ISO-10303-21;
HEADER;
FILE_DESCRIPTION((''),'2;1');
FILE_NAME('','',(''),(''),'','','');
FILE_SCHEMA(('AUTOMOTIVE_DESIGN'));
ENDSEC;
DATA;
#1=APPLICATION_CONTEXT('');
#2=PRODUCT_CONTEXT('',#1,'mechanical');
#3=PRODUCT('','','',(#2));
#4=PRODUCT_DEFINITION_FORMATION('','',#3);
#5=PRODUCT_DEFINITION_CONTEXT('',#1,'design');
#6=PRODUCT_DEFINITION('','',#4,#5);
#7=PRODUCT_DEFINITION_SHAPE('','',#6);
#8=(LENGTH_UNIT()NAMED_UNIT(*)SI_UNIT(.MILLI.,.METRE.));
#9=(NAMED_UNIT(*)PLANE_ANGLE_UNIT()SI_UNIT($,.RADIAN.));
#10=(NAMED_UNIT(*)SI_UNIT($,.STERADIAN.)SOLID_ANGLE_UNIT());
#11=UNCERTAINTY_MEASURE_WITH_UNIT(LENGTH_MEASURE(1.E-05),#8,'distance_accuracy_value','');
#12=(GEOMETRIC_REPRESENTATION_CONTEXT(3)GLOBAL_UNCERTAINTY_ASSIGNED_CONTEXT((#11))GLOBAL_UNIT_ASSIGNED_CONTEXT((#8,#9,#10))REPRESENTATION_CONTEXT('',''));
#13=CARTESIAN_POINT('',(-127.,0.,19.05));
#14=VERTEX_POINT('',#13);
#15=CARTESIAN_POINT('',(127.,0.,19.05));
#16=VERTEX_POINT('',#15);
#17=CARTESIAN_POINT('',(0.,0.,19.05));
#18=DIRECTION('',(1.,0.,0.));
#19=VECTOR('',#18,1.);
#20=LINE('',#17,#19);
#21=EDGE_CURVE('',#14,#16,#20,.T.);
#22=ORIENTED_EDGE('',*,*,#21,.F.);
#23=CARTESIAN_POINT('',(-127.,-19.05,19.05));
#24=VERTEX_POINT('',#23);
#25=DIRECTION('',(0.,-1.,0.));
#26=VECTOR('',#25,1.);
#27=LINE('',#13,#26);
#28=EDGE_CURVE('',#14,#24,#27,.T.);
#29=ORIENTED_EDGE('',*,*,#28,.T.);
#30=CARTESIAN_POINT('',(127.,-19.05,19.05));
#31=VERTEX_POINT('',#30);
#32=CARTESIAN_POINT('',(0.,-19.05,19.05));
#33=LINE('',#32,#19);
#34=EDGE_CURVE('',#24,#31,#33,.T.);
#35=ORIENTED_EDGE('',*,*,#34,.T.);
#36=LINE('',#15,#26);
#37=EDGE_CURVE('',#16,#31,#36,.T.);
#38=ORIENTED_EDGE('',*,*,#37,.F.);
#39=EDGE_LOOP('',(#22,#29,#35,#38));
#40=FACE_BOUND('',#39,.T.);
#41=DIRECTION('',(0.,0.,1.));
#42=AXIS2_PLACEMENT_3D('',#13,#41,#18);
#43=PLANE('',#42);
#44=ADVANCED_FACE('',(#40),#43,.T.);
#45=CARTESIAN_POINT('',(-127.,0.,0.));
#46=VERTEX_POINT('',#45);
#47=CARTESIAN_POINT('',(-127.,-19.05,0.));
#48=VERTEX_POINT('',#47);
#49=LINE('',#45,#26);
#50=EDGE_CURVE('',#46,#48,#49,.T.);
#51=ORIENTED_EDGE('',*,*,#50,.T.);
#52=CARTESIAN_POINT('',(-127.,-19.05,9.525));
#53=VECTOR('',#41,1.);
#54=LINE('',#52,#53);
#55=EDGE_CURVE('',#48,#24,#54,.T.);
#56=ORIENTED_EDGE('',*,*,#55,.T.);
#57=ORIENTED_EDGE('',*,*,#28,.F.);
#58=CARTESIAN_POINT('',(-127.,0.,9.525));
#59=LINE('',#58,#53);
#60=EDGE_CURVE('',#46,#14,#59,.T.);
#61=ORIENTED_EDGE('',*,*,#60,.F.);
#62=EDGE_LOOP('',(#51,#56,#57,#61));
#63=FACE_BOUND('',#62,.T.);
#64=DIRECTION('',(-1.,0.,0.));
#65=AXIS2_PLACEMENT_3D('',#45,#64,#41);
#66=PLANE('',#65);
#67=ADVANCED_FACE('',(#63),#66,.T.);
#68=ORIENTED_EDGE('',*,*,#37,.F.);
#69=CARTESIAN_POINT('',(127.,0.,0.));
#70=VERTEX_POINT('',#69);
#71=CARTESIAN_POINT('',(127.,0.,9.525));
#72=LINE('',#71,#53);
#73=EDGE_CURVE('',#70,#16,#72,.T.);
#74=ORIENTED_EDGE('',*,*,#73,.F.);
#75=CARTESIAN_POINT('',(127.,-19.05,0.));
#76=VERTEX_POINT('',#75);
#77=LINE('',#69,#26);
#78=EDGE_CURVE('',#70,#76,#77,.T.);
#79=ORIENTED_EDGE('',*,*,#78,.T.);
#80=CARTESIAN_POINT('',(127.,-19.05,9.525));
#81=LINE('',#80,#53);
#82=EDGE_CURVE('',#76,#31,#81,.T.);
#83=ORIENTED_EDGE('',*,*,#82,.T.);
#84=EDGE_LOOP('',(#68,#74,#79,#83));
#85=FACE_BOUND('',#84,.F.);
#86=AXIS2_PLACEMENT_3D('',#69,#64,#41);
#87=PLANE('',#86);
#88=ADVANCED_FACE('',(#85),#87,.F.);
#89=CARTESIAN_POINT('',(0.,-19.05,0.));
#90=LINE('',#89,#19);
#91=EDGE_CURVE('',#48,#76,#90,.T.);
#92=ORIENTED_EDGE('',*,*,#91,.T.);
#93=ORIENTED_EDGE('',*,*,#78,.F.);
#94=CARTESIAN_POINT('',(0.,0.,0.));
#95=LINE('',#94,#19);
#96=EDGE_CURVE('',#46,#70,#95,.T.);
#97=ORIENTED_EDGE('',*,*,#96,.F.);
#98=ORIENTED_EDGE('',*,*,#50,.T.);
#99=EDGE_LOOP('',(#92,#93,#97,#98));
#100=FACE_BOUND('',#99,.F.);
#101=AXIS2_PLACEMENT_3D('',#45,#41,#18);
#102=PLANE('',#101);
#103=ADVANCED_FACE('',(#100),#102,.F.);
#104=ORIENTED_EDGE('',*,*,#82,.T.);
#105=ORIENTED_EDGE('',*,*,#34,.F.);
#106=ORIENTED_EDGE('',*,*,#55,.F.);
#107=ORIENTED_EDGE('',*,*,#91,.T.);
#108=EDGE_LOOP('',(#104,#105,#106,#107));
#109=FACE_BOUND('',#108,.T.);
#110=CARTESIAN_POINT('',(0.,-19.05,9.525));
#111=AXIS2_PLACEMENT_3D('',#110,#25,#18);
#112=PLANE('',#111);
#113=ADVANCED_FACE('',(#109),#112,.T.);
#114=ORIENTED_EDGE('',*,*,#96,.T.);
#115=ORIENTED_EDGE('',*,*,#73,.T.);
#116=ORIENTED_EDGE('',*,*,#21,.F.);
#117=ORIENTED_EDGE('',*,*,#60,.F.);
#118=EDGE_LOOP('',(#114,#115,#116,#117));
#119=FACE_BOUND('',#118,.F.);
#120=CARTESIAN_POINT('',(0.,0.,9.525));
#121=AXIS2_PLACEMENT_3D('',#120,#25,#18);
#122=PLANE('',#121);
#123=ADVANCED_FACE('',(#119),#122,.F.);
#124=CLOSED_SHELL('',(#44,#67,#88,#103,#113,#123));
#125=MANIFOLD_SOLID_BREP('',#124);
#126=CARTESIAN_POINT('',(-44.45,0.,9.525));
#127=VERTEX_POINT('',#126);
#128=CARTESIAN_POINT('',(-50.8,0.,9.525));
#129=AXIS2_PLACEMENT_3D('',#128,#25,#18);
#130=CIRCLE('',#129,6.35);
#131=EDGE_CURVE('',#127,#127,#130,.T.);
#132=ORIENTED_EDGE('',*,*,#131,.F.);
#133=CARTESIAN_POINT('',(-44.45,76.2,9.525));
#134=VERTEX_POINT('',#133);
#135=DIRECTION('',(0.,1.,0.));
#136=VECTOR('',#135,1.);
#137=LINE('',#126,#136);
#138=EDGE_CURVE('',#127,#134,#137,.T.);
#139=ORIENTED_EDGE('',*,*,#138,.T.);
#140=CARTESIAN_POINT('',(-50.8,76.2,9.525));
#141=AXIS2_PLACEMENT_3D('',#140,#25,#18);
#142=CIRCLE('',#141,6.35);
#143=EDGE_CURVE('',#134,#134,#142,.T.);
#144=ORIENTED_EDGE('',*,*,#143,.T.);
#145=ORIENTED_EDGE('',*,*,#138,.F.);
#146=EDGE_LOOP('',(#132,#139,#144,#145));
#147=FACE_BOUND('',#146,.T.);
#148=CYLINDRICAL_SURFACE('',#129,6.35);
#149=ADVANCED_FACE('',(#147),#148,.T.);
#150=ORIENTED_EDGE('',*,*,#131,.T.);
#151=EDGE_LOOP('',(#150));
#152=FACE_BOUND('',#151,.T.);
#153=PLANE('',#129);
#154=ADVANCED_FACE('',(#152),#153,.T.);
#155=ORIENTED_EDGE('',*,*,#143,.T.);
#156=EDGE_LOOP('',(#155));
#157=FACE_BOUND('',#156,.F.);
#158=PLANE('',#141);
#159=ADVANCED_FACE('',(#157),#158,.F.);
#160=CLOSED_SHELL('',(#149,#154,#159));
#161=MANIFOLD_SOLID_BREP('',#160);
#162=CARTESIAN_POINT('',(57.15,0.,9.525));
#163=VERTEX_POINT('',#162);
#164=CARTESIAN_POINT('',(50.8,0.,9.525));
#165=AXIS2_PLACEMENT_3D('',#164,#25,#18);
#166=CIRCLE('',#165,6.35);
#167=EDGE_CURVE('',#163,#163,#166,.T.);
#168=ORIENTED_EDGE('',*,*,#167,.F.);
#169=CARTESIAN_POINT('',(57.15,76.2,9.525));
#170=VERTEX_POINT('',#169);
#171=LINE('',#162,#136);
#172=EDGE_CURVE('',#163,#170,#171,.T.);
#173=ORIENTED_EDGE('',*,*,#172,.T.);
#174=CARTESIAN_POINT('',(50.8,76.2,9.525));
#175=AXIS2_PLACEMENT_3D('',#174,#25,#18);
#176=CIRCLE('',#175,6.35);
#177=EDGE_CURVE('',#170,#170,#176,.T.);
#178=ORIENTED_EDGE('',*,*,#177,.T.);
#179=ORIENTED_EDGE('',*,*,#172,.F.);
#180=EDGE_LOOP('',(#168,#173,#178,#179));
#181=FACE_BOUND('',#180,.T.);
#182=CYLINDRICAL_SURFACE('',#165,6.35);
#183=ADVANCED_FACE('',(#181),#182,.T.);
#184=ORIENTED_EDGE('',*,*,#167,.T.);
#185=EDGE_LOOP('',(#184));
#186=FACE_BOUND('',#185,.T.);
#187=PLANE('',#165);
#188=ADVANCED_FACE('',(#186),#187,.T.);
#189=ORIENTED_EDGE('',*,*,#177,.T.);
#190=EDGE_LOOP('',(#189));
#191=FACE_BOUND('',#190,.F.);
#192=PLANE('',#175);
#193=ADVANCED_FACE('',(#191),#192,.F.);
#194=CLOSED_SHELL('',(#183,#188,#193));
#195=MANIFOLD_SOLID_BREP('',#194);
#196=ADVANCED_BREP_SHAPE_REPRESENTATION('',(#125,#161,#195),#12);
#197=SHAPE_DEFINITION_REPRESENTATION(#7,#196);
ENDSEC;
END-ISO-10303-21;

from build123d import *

# Parameters (mm, degrees)
F1_W     = 254
F1_H     = 19.05
F2_DEPTH = 19.05
F3_R     = 6.35
F4_DEPTH = 76.2


with BuildPart() as f2:
    # F1 (on face) → F2 (new body)
    with BuildSketch(Plane.XZ):
        with Locations((0, 9.525)):
            Rectangle(F1_W, F1_H)
    extrude(amount=F2_DEPTH)


with BuildPart() as f4:
    # F3 (on Front) → F4 (new body)
    with BuildSketch(Plane.XZ):
        with Locations((50.8, 9.525)):
            Circle(F3_R)
        with Locations((-50.8, 9.525)):
            Circle(F3_R)
    extrude(amount=-F4_DEPTH)


solid = Compound([f2.part, f4.part])
